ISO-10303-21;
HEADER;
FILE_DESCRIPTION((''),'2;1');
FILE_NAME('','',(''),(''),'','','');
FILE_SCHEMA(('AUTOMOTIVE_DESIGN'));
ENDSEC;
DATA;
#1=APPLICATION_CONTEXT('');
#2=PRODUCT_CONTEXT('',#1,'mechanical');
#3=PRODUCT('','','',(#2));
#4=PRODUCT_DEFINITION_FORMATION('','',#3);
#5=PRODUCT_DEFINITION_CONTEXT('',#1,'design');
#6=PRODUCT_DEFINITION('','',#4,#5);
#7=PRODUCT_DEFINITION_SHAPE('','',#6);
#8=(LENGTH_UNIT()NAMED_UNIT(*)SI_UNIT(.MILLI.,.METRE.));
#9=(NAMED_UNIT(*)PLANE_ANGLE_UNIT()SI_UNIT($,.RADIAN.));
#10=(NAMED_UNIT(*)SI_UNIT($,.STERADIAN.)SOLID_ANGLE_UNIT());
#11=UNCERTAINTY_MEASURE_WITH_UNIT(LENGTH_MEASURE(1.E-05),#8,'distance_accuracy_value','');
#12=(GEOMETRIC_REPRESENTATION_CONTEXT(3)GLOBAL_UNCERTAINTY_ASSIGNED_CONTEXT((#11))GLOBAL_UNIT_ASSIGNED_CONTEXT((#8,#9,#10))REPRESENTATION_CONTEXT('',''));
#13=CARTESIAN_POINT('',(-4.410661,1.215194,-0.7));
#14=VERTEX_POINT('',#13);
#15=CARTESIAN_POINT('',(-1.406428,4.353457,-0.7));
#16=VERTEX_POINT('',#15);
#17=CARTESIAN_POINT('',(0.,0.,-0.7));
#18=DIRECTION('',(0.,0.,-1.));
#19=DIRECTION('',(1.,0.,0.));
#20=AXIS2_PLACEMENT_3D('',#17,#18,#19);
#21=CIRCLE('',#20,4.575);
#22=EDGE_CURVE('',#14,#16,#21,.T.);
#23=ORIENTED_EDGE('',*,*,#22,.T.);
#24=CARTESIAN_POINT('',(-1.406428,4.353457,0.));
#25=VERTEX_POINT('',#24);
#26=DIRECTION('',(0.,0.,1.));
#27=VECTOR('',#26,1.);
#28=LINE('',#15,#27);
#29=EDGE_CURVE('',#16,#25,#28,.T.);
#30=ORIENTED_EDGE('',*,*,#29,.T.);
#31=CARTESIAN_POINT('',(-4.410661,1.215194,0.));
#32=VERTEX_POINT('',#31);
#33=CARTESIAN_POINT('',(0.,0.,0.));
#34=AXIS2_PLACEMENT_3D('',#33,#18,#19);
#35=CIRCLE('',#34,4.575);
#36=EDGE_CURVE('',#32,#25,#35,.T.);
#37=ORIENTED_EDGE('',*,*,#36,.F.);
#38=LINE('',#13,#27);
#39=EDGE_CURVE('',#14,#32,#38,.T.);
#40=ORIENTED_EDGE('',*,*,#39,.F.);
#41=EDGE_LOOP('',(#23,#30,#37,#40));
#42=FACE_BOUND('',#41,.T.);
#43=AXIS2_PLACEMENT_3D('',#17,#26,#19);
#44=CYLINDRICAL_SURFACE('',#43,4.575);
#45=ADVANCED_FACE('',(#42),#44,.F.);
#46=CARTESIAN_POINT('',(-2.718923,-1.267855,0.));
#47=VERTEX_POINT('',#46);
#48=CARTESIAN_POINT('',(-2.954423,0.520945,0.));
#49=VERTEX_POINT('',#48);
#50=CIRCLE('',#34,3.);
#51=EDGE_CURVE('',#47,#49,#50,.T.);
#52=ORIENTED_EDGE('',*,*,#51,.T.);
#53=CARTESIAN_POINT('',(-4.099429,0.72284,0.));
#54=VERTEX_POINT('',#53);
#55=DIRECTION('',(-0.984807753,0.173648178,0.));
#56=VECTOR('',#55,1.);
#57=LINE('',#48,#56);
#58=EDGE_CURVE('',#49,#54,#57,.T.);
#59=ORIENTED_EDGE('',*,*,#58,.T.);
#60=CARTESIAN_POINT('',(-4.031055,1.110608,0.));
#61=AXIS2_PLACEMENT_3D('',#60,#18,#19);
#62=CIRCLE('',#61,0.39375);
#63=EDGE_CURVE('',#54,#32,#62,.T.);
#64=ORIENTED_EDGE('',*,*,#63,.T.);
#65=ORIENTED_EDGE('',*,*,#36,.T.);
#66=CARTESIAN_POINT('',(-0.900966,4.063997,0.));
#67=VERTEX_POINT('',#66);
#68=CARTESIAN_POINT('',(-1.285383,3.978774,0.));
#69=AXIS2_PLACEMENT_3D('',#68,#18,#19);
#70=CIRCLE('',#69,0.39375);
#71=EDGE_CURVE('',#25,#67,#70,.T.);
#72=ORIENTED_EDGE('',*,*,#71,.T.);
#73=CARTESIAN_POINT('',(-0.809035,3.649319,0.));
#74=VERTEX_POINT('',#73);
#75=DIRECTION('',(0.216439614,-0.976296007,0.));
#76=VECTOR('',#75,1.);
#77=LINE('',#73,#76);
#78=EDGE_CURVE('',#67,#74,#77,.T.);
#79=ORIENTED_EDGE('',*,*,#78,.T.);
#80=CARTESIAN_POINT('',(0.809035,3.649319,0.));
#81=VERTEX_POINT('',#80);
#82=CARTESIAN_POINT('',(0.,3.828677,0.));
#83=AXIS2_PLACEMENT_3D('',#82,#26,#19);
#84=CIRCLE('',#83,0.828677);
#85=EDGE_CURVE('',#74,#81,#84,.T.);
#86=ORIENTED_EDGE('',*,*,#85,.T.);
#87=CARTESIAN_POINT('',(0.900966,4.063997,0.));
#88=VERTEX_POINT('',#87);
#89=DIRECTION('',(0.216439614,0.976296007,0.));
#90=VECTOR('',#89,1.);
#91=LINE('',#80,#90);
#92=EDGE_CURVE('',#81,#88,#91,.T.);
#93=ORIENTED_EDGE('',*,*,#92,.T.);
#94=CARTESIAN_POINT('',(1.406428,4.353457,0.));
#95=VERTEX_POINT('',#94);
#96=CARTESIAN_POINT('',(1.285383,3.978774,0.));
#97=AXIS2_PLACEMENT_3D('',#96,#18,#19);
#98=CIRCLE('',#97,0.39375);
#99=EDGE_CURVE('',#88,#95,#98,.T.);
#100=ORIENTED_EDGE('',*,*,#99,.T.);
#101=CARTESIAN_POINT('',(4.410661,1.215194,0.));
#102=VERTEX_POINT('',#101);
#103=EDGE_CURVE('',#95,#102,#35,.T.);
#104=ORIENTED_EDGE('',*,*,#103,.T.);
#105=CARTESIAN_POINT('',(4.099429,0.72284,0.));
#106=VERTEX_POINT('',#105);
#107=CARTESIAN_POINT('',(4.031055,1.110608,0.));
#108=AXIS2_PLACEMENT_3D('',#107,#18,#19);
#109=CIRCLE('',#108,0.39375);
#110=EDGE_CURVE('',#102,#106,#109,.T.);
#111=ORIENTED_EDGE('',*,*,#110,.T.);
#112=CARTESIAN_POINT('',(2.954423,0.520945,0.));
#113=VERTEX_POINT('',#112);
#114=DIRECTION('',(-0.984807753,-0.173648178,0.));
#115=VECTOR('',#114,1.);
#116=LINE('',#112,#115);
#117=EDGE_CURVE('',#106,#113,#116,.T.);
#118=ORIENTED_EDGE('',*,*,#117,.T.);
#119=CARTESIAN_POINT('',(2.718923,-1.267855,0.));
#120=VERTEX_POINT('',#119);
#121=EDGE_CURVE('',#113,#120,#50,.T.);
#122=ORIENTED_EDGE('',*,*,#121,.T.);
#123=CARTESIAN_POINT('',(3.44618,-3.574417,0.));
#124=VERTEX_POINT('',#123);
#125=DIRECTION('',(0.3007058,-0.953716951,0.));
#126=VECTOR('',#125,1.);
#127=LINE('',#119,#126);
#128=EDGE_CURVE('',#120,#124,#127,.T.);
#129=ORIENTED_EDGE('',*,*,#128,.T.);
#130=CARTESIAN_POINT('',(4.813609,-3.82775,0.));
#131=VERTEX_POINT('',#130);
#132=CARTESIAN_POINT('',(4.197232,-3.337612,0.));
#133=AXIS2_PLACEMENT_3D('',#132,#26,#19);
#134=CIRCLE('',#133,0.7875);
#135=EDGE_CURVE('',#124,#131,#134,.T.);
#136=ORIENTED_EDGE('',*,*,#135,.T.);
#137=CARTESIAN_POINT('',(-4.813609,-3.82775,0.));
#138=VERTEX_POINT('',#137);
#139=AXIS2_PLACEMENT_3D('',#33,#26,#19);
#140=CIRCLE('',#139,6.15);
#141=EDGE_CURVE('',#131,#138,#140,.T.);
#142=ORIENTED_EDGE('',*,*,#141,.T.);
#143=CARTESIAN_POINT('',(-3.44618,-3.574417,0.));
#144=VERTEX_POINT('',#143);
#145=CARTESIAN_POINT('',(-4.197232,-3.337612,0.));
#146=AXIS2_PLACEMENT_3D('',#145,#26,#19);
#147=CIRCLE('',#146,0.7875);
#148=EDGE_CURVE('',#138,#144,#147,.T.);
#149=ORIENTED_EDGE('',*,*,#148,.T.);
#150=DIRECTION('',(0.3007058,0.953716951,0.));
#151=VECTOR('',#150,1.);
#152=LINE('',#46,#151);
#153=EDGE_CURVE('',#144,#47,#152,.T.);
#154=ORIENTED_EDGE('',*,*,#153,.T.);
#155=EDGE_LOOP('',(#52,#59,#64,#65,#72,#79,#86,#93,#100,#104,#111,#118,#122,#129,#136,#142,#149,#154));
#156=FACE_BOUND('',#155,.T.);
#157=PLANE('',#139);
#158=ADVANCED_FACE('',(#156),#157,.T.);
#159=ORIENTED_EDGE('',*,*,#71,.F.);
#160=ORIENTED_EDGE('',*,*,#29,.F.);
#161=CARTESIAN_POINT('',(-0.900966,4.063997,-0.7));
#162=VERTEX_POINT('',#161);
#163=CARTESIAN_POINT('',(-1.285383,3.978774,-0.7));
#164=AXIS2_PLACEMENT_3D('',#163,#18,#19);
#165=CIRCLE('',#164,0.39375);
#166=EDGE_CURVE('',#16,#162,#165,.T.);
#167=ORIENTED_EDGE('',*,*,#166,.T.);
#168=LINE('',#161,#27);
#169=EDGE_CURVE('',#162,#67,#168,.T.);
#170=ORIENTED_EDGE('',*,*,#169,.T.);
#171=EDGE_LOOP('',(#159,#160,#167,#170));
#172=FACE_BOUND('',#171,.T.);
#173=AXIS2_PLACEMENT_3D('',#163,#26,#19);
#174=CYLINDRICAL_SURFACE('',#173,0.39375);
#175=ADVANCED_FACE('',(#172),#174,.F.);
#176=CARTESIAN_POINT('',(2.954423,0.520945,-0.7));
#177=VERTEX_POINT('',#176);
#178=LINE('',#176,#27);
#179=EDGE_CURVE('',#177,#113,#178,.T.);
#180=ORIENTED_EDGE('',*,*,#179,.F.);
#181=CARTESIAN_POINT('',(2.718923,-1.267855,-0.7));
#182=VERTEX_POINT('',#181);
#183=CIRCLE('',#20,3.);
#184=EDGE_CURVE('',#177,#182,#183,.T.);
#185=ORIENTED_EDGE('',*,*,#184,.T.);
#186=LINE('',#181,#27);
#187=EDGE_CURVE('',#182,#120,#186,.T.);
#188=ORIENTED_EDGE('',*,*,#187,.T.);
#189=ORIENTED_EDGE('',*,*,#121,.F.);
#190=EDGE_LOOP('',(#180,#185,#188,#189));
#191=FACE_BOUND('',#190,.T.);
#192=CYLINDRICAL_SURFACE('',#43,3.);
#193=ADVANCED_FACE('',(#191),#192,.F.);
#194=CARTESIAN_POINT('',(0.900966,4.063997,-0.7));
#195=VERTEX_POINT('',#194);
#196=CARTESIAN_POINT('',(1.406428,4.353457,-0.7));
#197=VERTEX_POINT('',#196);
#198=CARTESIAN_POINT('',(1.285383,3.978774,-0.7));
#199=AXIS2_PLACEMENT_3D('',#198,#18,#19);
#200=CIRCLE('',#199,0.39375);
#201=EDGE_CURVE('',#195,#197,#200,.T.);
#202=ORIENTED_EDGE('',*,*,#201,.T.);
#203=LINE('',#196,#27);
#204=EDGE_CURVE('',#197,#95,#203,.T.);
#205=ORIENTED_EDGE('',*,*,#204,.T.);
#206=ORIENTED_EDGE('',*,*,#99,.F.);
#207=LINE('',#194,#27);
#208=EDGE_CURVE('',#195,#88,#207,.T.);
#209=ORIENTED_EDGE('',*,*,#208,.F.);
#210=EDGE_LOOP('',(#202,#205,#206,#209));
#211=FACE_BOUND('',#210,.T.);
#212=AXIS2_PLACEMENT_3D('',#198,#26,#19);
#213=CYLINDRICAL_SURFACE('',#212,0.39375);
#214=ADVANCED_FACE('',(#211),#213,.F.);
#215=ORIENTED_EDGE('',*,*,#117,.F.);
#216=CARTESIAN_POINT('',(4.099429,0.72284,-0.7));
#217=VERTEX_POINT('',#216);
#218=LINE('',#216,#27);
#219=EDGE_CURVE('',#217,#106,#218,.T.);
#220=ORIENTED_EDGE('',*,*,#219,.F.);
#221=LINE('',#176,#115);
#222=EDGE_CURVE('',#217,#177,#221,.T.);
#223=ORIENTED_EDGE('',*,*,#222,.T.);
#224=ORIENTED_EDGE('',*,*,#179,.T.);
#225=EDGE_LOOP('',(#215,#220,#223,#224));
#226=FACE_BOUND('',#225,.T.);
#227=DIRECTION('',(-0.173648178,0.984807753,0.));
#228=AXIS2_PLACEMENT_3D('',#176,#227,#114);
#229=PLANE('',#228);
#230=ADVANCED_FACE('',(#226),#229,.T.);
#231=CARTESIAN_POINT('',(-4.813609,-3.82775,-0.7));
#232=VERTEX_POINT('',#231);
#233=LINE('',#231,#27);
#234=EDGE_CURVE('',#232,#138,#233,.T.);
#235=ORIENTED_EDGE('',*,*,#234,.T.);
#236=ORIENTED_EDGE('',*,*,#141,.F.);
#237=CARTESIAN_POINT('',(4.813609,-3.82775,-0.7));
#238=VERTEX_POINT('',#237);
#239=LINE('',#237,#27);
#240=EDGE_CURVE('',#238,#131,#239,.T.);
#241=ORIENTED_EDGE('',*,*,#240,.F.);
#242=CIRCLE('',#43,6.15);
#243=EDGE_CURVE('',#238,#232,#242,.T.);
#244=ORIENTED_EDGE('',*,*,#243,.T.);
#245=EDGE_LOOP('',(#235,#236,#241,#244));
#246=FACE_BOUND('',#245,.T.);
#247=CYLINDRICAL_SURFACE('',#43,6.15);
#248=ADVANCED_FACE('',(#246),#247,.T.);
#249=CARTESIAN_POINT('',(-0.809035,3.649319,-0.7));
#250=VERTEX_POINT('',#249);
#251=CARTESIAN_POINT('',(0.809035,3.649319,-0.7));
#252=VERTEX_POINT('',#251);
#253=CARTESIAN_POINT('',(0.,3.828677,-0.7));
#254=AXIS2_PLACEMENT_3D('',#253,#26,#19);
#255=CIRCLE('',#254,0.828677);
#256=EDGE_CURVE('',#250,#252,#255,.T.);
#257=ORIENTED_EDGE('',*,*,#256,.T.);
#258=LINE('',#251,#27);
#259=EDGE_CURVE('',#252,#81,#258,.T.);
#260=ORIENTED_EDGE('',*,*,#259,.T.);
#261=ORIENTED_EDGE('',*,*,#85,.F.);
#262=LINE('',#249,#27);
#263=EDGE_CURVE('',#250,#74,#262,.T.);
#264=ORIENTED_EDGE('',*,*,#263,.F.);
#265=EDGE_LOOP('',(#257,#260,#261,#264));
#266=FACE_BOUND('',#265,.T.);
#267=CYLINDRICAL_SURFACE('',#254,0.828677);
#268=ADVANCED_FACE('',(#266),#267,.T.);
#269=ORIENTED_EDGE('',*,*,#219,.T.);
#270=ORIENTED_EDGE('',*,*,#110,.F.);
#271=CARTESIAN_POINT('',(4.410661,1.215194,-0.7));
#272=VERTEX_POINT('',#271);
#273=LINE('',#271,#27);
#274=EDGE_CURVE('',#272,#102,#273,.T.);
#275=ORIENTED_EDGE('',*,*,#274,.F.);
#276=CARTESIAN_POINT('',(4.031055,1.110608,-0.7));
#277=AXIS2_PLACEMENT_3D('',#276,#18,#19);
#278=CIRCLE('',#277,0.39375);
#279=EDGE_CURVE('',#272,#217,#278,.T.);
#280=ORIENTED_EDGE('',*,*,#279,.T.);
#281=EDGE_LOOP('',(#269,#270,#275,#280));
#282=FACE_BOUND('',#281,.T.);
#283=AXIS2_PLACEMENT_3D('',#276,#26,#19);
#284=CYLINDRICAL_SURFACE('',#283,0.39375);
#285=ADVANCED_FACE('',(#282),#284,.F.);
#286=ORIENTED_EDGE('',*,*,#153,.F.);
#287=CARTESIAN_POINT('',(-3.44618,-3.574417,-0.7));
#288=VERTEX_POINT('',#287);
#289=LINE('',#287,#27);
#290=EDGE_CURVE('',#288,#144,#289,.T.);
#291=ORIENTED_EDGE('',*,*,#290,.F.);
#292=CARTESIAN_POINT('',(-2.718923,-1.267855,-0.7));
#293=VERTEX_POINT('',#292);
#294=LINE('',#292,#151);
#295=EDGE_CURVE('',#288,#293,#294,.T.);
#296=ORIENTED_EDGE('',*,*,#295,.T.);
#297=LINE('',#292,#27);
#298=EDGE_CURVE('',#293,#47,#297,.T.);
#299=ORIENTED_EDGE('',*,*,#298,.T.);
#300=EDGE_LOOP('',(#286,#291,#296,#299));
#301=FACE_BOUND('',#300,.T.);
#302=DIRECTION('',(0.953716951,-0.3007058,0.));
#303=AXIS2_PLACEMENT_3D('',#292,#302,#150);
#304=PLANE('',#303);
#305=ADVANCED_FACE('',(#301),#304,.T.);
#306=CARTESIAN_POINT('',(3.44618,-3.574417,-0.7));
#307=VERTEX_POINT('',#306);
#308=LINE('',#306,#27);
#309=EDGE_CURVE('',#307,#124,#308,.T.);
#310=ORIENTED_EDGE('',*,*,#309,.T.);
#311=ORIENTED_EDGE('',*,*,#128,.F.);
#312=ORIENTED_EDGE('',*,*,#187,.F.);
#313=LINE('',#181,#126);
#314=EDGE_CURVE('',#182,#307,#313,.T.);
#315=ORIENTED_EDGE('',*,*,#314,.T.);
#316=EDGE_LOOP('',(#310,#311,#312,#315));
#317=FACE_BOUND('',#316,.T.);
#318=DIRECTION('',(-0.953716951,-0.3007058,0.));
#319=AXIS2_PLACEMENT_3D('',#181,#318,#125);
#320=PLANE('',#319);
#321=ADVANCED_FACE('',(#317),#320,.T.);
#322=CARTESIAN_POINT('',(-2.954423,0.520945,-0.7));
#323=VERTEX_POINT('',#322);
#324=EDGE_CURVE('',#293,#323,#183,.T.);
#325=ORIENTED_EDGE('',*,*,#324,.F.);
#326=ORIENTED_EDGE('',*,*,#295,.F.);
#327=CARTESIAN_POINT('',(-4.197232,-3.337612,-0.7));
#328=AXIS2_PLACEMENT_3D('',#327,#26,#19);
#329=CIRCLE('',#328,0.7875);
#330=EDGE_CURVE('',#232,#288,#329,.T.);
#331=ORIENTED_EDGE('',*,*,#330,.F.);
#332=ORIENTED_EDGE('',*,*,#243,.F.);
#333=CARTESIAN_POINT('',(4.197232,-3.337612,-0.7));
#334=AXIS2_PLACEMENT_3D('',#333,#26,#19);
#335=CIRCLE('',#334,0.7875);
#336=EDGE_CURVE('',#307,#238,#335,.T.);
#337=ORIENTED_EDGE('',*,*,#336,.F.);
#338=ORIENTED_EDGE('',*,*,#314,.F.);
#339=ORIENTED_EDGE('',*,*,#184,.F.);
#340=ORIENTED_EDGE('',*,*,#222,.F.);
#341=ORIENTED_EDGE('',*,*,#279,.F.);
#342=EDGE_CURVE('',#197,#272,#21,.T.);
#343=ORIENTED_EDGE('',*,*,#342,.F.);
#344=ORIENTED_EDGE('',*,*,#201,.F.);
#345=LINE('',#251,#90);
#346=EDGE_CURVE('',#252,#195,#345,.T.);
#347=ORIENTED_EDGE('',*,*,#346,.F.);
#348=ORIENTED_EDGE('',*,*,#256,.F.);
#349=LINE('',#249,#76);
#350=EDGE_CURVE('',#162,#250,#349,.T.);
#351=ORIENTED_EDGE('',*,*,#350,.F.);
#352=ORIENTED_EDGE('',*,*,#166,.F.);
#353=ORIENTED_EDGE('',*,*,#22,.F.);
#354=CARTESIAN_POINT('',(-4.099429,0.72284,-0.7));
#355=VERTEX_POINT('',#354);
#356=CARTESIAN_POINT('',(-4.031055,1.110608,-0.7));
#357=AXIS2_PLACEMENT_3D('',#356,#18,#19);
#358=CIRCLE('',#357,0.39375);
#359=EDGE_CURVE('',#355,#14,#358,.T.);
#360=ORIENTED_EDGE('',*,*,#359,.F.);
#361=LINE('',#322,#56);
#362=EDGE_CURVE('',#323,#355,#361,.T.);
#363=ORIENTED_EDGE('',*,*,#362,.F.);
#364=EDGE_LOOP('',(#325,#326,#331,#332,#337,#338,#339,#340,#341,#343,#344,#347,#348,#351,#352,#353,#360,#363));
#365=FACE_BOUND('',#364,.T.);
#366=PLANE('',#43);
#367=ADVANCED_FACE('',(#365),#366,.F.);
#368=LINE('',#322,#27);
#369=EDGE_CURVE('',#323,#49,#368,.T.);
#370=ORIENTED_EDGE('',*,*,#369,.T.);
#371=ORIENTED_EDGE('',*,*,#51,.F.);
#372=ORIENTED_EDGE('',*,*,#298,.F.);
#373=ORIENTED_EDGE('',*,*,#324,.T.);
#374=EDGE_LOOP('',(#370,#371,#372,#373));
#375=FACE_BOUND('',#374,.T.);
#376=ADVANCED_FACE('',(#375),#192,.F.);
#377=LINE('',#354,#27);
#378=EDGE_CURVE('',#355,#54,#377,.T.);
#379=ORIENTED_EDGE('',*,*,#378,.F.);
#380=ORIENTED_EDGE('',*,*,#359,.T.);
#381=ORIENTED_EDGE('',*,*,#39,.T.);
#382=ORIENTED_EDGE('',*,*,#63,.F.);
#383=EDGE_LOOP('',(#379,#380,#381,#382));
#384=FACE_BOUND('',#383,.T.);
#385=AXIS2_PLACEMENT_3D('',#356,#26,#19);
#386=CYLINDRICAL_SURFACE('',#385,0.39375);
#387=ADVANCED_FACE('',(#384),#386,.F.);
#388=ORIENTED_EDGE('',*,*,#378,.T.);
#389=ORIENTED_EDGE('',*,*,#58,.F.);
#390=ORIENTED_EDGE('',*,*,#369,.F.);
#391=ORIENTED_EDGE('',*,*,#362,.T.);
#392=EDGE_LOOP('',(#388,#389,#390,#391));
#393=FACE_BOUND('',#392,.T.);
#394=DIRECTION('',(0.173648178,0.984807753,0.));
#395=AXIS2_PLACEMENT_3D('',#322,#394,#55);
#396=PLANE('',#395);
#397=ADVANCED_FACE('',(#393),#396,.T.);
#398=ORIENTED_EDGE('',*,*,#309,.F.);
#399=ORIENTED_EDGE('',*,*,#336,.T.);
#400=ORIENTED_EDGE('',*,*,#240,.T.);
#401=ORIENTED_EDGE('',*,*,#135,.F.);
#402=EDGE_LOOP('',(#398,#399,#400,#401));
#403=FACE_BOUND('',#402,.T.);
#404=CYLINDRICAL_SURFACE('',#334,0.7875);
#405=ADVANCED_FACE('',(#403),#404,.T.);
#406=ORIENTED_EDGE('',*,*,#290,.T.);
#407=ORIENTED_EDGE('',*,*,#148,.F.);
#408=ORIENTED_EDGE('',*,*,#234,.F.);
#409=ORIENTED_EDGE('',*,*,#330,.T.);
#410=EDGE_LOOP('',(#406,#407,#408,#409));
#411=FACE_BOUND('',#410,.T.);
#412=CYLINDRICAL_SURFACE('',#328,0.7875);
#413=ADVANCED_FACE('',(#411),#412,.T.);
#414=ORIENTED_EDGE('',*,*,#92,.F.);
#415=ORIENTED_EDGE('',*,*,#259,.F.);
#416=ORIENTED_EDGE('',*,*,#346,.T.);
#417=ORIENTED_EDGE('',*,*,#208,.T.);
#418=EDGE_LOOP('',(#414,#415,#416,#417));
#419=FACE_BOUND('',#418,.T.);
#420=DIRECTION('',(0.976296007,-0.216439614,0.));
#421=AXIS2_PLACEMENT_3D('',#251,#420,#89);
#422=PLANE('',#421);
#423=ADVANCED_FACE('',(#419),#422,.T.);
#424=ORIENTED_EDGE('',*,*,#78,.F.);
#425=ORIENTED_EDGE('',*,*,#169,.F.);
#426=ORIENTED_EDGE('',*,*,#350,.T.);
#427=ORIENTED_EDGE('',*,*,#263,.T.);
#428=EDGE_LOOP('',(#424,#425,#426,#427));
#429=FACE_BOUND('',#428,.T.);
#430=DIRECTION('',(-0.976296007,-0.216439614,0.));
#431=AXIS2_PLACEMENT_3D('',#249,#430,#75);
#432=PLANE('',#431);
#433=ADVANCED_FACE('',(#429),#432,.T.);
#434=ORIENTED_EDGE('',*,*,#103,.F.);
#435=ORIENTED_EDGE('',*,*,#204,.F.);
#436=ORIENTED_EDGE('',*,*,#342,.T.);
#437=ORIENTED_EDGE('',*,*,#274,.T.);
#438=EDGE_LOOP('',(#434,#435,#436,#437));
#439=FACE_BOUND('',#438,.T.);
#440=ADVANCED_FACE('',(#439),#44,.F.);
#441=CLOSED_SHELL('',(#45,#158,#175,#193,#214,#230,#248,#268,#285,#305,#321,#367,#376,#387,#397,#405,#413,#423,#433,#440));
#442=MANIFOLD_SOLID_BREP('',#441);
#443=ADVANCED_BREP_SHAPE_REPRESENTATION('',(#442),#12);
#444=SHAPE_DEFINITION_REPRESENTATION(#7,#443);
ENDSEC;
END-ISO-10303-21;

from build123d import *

# Parameters (mm, degrees)
BODY_DEPTH = 0.7


with BuildPart() as part:
    # BodySke → Body (new body)
    with BuildSketch(Plane.XY):
        with BuildLine():
            Line((2.954423259, 0.520944533), (4.099428621, 0.722839871))
            ThreePointArc((4.099428621, 0.722839871), (4.363883059, 0.900217065), (4.410660695, 1.215194321))
            ThreePointArc((4.410660695, 1.215194321), (3.304815126, 3.16367223), (1.406428042, 4.353456691))
            ThreePointArc((1.406428042, 4.353456691), (1.089710164, 4.320462692), (0.900966453, 4.063997041))
            Line((0.900966453, 4.063997041), (0.80903451, 3.649318842))
            ThreePointArc((0.80903451, 3.649318842), (0, 3), (-0.80903451, 3.649318842))
            Line((-0.80903451, 3.649318842), (-0.900966453, 4.063997041))
            ThreePointArc((-0.900966453, 4.063997041), (-1.089710164, 4.320462692), (-1.406428042, 4.353456691))
            ThreePointArc((-1.406428042, 4.353456691), (-3.304815126, 3.16367223), (-4.410660695, 1.215194321))
            ThreePointArc((-4.410660695, 1.215194321), (-4.363883059, 0.900217065), (-4.099428621, 0.722839871))
            Line((-4.099428621, 0.722839871), (-2.954423259, 0.520944533))
            ThreePointArc((-2.954423259, 0.520944533), (-2.974334584, -0.391578577), (-2.718923361, -1.267854785))
            Line((-2.718923361, -1.267854785), (-3.446179756, -3.574417389))
            ThreePointArc((-3.446179756, -3.574417389), (-4.053778864, -4.111935463), (-4.813608561, -3.827750334))
            ThreePointArc((-4.813608561, -3.827750334), (0, 6.15), (4.813608561, -3.827750334))
            ThreePointArc((4.813608561, -3.827750334), (4.053778864, -4.111935463), (3.446179756, -3.574417389))
            Line((3.446179756, -3.574417389), (2.718923361, -1.267854785))
            ThreePointArc((2.718923361, -1.267854785), (2.974334584, -0.391578577), (2.954423259, 0.520944533))
        make_face()
    extrude(amount=-BODY_DEPTH)


solid = part.part
